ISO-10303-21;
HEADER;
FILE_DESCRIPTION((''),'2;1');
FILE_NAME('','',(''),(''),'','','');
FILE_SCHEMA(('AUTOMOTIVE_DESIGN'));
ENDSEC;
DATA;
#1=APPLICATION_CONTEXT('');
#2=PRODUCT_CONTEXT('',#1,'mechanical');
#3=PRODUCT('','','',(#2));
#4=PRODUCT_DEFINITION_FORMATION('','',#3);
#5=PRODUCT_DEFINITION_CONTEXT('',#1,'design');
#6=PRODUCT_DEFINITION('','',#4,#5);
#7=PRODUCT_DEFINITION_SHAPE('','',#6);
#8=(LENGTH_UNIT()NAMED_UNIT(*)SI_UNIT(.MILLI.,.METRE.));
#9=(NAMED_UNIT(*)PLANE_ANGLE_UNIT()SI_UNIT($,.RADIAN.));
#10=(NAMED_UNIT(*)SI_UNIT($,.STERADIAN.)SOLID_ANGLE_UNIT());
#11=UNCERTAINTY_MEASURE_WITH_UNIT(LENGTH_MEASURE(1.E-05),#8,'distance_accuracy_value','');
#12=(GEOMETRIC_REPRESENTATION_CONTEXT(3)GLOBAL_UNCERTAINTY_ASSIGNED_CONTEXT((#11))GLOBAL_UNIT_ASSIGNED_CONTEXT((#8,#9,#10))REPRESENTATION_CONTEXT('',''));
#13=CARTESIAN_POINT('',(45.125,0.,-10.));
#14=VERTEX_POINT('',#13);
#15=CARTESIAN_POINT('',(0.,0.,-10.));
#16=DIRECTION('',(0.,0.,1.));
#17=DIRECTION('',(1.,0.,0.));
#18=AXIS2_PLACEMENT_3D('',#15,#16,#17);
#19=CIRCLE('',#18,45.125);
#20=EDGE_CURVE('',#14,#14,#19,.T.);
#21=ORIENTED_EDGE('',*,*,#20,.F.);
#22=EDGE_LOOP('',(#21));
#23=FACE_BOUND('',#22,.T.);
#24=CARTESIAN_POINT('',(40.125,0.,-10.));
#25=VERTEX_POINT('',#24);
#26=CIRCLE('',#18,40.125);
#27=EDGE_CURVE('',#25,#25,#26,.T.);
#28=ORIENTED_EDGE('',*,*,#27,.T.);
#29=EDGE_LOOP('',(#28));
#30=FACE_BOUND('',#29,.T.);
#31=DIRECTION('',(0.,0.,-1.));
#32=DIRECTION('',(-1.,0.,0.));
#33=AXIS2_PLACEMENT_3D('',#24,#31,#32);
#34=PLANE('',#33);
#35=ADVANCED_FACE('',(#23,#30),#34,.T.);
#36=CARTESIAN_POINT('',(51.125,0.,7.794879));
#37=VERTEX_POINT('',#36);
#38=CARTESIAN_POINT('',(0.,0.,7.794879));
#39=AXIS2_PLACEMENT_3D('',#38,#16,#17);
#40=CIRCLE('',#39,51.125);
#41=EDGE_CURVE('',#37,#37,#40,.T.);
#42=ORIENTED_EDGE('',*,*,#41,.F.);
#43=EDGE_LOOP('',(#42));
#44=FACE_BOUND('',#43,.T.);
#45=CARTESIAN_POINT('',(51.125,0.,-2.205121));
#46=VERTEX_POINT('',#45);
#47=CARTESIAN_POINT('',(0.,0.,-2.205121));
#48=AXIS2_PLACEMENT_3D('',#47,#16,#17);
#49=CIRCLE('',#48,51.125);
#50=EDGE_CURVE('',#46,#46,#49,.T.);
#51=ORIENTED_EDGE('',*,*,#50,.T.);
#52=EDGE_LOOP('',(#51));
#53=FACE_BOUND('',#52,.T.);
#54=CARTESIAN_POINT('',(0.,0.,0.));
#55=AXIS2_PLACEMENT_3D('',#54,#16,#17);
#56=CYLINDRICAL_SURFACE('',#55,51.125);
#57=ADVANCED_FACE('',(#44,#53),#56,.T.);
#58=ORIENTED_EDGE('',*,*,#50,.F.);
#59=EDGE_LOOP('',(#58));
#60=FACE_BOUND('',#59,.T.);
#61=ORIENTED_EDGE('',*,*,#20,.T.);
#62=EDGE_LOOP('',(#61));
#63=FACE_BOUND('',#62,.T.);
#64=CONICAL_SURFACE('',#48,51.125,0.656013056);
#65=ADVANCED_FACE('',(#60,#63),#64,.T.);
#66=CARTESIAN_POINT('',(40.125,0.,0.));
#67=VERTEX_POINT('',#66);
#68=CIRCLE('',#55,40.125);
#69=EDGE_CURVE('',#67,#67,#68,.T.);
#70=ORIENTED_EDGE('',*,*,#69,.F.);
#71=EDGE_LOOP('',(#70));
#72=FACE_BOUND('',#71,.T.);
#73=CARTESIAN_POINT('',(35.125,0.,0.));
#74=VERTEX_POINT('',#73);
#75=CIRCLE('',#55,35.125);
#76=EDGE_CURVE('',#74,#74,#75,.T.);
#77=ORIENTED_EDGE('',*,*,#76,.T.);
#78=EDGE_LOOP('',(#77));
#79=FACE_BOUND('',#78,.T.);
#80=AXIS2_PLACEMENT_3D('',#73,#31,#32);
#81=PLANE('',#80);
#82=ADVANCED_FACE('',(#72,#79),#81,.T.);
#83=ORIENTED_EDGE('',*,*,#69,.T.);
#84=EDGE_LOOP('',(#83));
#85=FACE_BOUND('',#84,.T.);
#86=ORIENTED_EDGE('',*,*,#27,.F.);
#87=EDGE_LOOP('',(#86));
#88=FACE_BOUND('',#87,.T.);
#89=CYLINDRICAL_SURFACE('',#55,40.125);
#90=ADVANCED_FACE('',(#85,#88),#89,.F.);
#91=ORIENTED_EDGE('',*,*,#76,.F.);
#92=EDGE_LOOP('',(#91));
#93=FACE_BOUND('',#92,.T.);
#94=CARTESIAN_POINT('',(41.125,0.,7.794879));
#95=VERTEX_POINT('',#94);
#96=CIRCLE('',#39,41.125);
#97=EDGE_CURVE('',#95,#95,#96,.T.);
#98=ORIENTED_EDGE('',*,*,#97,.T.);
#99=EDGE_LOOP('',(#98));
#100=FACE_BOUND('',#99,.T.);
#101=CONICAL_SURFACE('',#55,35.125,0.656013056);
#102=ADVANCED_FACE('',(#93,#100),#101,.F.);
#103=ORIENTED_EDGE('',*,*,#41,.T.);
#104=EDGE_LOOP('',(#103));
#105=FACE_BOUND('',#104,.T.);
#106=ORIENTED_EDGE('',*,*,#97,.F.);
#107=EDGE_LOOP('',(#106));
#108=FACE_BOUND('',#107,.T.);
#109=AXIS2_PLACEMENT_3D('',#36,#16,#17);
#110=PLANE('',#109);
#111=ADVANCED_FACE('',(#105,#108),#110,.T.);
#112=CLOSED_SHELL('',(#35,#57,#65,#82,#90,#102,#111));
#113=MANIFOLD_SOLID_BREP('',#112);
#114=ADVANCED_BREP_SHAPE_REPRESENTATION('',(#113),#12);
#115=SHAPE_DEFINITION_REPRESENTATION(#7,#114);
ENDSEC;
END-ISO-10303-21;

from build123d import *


with BuildPart() as part:
    # Sketch3 → Revolve1 (revolve)
    with BuildSketch(Plane(origin=(0, 0, 0), x_dir=(1, 0, 0), z_dir=(0, 1, 0))):
        Polygon((40.125, 0), (40.125, 10), (45.125, 10), (51.125, 2.205121208), (51.125, -7.794878792), (41.125, -7.794878792), (35.125, 0), align=None)
    revolve(axis=Axis((0, 0, 0), (0, 0, -1)))


solid = part.part
